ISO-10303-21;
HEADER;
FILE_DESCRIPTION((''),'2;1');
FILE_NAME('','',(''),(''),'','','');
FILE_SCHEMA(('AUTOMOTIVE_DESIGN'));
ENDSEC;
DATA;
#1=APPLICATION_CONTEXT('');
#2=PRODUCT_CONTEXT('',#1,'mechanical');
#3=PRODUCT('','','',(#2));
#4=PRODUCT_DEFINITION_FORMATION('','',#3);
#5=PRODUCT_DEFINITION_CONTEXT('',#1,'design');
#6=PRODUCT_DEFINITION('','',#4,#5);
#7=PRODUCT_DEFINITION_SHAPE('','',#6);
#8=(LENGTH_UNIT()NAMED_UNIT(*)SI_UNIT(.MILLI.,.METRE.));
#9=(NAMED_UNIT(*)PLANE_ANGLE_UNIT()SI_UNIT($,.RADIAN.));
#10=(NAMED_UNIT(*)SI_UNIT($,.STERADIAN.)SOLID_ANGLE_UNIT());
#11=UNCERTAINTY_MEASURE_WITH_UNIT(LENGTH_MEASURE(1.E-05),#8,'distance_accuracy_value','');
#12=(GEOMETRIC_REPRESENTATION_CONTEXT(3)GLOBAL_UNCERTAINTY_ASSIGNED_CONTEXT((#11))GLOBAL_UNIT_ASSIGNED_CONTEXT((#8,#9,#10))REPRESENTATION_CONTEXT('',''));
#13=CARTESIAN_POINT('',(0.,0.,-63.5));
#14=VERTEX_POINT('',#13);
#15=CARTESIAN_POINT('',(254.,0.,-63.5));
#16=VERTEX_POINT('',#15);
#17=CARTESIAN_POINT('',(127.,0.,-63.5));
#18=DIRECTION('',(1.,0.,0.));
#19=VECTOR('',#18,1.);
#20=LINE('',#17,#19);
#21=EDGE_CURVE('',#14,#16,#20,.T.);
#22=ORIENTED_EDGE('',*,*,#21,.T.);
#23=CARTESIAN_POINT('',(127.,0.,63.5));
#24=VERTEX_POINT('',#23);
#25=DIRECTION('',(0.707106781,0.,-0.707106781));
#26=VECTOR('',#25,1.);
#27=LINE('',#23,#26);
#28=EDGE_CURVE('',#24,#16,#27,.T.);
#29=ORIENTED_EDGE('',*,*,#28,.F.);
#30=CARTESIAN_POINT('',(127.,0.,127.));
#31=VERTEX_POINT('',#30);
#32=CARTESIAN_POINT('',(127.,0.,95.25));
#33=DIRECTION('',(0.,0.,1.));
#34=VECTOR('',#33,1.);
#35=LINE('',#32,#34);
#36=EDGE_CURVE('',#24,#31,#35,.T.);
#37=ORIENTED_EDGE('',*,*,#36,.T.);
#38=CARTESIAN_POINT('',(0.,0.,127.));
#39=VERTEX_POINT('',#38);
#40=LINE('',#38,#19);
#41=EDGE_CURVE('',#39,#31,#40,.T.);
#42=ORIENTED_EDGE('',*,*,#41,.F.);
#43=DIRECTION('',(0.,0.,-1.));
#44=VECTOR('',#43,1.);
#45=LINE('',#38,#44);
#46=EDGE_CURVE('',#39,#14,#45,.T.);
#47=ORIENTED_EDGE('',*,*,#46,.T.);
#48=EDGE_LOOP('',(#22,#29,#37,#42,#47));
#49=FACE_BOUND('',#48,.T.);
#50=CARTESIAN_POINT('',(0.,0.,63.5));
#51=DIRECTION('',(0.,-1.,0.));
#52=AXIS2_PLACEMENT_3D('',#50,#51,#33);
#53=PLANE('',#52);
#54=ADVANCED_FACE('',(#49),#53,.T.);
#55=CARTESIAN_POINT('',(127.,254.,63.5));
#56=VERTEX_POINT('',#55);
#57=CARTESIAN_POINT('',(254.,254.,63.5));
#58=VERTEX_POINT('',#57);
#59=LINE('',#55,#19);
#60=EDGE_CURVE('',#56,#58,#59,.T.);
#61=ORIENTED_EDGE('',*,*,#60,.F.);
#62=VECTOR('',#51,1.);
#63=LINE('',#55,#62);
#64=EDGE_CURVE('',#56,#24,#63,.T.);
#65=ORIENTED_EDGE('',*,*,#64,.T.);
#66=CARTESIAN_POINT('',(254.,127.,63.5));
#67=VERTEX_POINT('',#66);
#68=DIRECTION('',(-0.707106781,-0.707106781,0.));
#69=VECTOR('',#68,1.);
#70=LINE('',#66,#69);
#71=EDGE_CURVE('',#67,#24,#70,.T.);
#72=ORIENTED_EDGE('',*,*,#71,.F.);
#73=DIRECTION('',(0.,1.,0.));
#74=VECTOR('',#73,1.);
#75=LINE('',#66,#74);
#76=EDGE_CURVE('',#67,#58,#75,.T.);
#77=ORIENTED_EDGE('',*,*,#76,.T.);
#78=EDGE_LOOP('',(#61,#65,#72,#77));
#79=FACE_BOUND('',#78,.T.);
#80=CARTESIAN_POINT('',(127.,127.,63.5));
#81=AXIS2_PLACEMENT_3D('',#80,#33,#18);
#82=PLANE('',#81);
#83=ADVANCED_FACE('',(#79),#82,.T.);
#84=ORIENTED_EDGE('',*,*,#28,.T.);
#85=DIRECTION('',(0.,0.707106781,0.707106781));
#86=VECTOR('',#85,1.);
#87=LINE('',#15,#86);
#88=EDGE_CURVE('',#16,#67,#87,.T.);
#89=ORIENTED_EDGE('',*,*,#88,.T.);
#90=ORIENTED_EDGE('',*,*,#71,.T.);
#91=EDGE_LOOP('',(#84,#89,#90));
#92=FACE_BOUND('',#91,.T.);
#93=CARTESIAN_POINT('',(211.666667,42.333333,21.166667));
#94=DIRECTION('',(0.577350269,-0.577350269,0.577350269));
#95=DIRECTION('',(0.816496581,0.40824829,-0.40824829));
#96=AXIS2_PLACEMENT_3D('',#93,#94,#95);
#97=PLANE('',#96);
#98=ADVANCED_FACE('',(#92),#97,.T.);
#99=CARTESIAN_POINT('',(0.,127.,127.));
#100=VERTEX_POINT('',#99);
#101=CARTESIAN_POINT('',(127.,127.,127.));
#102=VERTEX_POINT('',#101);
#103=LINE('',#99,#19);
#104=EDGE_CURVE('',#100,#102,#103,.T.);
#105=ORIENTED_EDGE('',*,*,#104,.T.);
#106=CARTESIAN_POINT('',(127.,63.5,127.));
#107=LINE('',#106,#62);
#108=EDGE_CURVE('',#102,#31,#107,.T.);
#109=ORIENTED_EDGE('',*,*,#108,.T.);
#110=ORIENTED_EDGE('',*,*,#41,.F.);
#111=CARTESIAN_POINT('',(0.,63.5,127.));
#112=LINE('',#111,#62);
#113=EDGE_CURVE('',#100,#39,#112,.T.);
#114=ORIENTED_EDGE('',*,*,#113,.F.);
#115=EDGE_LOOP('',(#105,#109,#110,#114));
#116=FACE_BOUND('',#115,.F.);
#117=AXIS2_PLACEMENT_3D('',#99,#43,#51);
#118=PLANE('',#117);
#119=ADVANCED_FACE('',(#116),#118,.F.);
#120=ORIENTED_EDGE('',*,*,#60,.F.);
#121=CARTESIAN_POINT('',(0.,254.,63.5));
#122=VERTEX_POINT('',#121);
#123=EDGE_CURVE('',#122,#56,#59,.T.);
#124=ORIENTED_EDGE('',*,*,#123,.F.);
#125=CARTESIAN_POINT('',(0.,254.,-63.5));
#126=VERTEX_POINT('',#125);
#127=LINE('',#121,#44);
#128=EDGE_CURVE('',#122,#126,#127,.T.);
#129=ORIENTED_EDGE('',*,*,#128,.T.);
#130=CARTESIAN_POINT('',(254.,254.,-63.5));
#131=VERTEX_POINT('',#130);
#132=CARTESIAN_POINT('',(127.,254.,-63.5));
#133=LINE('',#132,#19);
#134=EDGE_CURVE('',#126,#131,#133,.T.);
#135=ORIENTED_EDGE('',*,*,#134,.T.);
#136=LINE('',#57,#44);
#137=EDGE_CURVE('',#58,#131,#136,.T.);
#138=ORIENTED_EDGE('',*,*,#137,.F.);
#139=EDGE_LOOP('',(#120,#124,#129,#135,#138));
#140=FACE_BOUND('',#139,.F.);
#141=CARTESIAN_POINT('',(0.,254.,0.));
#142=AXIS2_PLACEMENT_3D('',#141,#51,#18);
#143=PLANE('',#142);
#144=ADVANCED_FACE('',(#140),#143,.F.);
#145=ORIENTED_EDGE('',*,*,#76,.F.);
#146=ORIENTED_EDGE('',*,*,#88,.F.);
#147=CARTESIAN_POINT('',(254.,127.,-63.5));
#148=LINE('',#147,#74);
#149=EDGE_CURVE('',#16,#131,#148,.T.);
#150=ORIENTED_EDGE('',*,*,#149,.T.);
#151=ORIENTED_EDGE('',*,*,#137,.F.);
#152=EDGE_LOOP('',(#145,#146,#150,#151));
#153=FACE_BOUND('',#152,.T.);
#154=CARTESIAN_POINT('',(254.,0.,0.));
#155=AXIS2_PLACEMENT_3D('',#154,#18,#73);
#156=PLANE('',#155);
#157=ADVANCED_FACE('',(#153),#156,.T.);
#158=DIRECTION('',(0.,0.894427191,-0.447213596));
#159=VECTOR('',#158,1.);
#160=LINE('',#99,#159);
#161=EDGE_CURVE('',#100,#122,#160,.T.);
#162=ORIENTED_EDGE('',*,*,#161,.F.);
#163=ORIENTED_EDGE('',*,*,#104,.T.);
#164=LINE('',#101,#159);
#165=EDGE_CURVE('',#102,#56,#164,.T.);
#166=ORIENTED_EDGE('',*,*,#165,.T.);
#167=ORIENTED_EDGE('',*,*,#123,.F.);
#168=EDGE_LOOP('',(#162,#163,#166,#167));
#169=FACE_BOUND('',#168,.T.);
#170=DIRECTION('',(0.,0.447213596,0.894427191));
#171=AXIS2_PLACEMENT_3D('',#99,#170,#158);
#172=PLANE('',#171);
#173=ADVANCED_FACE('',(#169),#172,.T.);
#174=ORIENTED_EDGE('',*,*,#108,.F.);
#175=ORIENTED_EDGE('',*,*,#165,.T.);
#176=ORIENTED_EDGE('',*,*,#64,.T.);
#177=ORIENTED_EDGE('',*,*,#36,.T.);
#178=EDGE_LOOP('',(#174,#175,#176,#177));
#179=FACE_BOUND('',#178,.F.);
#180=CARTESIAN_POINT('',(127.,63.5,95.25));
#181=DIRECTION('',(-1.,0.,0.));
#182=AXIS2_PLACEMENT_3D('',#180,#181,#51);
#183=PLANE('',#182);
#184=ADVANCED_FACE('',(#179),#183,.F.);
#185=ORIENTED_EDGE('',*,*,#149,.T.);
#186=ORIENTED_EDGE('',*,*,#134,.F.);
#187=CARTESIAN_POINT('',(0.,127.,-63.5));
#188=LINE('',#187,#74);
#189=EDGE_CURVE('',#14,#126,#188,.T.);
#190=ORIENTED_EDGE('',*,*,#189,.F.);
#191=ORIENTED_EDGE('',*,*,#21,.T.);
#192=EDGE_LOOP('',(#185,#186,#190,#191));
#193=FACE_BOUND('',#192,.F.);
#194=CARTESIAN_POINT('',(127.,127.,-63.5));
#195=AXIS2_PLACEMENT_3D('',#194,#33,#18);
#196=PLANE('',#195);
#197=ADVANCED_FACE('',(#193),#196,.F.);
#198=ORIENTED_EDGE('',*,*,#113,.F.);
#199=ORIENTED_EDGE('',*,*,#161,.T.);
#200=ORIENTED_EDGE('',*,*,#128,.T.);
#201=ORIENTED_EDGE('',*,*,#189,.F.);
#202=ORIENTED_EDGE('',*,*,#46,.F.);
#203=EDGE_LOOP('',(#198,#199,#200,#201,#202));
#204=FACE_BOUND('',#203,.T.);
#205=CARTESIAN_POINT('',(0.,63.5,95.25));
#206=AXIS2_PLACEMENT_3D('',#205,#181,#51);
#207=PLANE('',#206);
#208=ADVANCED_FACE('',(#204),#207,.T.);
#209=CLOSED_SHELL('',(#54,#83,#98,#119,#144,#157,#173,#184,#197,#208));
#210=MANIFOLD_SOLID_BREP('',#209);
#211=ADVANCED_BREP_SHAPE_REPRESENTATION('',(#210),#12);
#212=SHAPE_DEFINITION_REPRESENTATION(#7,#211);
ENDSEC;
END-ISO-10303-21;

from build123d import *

# Parameters (mm, degrees)
F0_W     = 254
F0_H     = 254
F1_DEPTH = 63.5
F2_W     = 127
F2_H     = 63.5
F3_DEPTH = 127
F8_DEPTH = 109.9862262806


with BuildPart() as f1:
    # F0 (on Top) → F1 (new body, symmetric)
    with BuildSketch(Plane.XY):
        with Locations((127, 127)):
            Rectangle(F0_W, F0_H)
    extrude(amount=F1_DEPTH, both=True)

    # F2 (on face) → F3 (join)
    with BuildSketch(Plane(origin=(0, 0, 0), x_dir=(0, -1, 0), z_dir=(-1, 0, 0))):
        with Locations((-63.5, 95.25)):
            Rectangle(F2_W, F2_H)
        Polygon((-254, 63.5), (-127, 63.5), (-127, 127), align=None)
    extrude(amount=-F3_DEPTH)

    # F7 (on 3pt) → F8 (cut, through all)
    with BuildSketch(Plane(origin=(63.5, -63.5, 63.5), x_dir=(0.8164965809, 0.4082482905, -0.4082482905), z_dir=(0.5773502692, -0.5773502692, 0.5773502692))):
        Polygon((233.313898, 134.703841816), (77.7712993334, 44.9012806053), (233.313898, -44.9012806053), align=None)
    extrude(amount=F8_DEPTH, mode=Mode.SUBTRACT)


solid = f1.part
